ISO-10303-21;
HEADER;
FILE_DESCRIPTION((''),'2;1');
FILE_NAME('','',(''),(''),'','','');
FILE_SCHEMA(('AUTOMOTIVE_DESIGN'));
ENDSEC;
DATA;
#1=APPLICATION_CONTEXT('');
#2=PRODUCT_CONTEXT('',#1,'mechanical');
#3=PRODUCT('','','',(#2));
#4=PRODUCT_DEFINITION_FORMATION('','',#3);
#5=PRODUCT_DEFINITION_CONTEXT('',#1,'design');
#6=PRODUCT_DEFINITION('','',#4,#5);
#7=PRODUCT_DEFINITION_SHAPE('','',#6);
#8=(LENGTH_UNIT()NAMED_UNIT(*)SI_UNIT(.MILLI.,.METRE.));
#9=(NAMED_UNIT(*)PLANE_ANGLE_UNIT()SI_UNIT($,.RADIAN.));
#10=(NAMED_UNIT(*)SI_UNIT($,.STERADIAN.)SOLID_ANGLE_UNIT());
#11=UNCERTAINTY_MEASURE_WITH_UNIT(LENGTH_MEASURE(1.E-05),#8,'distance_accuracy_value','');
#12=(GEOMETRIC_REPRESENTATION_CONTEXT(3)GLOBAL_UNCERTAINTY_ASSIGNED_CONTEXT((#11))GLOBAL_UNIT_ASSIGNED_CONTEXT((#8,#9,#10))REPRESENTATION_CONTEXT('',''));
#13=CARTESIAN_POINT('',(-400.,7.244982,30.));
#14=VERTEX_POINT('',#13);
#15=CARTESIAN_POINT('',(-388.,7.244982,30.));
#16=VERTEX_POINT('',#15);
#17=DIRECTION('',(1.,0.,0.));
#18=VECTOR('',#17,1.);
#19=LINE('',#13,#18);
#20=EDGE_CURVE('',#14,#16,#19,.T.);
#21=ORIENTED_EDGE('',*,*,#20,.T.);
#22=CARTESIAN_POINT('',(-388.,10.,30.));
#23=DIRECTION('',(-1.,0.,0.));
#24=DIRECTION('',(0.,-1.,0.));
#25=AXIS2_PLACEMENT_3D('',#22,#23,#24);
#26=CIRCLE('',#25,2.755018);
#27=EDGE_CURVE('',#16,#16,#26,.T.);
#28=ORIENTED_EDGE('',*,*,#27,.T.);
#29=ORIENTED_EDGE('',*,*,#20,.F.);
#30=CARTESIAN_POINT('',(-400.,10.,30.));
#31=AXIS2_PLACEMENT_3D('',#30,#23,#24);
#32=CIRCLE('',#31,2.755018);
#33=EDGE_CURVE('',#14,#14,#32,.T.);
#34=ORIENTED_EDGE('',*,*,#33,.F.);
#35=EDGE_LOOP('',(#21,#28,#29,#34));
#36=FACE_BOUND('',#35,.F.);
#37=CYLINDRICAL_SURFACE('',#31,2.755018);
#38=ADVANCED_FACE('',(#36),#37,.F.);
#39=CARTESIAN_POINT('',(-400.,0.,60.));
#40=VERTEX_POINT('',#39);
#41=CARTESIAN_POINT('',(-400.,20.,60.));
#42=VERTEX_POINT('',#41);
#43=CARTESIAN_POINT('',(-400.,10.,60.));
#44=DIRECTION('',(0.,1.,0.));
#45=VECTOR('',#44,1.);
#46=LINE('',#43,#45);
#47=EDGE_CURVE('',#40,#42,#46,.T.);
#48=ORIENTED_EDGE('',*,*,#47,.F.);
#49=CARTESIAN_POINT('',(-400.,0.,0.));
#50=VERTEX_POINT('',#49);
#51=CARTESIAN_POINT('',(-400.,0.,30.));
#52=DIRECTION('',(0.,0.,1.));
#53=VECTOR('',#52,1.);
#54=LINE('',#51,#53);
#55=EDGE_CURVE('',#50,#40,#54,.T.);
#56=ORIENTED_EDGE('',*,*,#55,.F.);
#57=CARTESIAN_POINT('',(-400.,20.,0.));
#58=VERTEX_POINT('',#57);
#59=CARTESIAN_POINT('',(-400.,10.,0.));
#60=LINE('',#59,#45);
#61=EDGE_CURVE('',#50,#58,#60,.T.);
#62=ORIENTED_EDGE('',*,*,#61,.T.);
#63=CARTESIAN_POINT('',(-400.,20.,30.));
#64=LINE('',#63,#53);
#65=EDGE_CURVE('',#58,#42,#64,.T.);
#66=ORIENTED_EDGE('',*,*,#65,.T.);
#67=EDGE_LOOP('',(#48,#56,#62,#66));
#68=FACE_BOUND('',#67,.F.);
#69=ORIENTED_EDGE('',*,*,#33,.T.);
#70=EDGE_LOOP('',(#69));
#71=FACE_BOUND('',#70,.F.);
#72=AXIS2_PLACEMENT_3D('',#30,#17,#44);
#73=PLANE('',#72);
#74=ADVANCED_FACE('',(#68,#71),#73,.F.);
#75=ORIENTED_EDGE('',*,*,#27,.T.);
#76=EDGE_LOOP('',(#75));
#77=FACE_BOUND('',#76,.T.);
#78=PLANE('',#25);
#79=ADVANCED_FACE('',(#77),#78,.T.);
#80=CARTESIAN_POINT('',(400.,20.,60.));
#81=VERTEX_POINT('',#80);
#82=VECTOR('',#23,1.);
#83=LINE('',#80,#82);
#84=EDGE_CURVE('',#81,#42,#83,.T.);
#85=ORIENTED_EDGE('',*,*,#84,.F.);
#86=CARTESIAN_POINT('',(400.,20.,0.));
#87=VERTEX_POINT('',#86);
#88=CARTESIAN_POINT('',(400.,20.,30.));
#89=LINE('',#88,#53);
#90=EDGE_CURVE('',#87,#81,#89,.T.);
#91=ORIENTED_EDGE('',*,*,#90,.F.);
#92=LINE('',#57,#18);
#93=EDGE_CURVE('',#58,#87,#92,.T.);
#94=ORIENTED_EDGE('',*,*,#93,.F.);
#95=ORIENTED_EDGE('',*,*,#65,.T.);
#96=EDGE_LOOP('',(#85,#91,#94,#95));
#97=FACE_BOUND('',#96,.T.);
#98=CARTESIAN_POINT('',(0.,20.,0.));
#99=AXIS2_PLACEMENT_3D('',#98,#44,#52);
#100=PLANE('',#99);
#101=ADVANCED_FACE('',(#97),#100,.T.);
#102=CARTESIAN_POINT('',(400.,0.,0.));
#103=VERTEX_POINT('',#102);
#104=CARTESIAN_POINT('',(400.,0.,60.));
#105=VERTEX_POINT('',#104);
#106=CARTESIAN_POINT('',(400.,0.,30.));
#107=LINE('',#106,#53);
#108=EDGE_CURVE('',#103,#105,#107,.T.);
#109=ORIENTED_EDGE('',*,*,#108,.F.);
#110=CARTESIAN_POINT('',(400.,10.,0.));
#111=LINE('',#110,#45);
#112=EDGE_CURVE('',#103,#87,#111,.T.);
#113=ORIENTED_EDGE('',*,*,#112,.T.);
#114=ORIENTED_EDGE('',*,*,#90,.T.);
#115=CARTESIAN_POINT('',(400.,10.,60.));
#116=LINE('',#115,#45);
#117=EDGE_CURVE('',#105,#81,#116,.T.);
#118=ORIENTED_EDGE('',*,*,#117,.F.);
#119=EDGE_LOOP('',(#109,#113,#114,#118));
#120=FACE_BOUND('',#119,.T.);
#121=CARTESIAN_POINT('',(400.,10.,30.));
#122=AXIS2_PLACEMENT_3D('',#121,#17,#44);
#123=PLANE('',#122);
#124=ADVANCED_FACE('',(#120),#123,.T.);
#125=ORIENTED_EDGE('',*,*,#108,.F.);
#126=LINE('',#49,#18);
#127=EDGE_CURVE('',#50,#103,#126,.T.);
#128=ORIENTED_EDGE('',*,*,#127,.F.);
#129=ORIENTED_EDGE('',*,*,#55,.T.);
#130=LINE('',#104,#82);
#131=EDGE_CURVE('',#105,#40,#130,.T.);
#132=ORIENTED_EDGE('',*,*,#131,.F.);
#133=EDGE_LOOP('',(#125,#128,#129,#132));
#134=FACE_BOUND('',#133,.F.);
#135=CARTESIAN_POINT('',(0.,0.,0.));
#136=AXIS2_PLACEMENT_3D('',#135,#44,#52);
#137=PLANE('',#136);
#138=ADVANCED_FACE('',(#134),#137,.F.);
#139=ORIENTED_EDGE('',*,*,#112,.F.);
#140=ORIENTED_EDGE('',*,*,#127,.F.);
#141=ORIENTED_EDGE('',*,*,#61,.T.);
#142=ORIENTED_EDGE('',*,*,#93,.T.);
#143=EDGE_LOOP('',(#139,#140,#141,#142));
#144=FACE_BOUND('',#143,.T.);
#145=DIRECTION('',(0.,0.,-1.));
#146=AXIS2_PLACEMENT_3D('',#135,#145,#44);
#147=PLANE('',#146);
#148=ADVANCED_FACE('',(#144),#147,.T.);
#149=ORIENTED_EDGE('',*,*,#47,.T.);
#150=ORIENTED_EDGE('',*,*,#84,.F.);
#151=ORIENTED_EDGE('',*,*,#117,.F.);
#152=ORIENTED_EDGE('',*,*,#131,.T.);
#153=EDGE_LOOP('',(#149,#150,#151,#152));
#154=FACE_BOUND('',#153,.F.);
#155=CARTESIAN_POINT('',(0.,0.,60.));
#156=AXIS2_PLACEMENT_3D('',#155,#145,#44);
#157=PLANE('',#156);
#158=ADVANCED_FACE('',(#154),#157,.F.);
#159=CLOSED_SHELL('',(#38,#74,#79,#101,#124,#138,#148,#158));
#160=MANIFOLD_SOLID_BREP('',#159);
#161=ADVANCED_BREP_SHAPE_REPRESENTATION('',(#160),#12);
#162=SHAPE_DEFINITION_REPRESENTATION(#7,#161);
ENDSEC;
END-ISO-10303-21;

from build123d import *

# Parameters (mm, degrees)
F0_W     = 20
F0_H     = 60
F1_DEPTH = 400
F2_R     = 2.7550181626
F3_DEPTH = 12


with BuildPart() as f1:
    # F0 (on Right) → F1 (new body, symmetric)
    with BuildSketch(Plane.YZ):
        with Locations((10, 30)):
            Rectangle(F0_W, F0_H)
    extrude(amount=F1_DEPTH, both=True)

    # F2 (on face) → F3 (cut)
    with BuildSketch(Plane(origin=(-400, 0, 0), x_dir=(0, -1, 0), z_dir=(-1, 0, 0))):
        with Locations((-10, 30)):
            Circle(F2_R)
    extrude(amount=-F3_DEPTH, mode=Mode.SUBTRACT)


solid = f1.part
